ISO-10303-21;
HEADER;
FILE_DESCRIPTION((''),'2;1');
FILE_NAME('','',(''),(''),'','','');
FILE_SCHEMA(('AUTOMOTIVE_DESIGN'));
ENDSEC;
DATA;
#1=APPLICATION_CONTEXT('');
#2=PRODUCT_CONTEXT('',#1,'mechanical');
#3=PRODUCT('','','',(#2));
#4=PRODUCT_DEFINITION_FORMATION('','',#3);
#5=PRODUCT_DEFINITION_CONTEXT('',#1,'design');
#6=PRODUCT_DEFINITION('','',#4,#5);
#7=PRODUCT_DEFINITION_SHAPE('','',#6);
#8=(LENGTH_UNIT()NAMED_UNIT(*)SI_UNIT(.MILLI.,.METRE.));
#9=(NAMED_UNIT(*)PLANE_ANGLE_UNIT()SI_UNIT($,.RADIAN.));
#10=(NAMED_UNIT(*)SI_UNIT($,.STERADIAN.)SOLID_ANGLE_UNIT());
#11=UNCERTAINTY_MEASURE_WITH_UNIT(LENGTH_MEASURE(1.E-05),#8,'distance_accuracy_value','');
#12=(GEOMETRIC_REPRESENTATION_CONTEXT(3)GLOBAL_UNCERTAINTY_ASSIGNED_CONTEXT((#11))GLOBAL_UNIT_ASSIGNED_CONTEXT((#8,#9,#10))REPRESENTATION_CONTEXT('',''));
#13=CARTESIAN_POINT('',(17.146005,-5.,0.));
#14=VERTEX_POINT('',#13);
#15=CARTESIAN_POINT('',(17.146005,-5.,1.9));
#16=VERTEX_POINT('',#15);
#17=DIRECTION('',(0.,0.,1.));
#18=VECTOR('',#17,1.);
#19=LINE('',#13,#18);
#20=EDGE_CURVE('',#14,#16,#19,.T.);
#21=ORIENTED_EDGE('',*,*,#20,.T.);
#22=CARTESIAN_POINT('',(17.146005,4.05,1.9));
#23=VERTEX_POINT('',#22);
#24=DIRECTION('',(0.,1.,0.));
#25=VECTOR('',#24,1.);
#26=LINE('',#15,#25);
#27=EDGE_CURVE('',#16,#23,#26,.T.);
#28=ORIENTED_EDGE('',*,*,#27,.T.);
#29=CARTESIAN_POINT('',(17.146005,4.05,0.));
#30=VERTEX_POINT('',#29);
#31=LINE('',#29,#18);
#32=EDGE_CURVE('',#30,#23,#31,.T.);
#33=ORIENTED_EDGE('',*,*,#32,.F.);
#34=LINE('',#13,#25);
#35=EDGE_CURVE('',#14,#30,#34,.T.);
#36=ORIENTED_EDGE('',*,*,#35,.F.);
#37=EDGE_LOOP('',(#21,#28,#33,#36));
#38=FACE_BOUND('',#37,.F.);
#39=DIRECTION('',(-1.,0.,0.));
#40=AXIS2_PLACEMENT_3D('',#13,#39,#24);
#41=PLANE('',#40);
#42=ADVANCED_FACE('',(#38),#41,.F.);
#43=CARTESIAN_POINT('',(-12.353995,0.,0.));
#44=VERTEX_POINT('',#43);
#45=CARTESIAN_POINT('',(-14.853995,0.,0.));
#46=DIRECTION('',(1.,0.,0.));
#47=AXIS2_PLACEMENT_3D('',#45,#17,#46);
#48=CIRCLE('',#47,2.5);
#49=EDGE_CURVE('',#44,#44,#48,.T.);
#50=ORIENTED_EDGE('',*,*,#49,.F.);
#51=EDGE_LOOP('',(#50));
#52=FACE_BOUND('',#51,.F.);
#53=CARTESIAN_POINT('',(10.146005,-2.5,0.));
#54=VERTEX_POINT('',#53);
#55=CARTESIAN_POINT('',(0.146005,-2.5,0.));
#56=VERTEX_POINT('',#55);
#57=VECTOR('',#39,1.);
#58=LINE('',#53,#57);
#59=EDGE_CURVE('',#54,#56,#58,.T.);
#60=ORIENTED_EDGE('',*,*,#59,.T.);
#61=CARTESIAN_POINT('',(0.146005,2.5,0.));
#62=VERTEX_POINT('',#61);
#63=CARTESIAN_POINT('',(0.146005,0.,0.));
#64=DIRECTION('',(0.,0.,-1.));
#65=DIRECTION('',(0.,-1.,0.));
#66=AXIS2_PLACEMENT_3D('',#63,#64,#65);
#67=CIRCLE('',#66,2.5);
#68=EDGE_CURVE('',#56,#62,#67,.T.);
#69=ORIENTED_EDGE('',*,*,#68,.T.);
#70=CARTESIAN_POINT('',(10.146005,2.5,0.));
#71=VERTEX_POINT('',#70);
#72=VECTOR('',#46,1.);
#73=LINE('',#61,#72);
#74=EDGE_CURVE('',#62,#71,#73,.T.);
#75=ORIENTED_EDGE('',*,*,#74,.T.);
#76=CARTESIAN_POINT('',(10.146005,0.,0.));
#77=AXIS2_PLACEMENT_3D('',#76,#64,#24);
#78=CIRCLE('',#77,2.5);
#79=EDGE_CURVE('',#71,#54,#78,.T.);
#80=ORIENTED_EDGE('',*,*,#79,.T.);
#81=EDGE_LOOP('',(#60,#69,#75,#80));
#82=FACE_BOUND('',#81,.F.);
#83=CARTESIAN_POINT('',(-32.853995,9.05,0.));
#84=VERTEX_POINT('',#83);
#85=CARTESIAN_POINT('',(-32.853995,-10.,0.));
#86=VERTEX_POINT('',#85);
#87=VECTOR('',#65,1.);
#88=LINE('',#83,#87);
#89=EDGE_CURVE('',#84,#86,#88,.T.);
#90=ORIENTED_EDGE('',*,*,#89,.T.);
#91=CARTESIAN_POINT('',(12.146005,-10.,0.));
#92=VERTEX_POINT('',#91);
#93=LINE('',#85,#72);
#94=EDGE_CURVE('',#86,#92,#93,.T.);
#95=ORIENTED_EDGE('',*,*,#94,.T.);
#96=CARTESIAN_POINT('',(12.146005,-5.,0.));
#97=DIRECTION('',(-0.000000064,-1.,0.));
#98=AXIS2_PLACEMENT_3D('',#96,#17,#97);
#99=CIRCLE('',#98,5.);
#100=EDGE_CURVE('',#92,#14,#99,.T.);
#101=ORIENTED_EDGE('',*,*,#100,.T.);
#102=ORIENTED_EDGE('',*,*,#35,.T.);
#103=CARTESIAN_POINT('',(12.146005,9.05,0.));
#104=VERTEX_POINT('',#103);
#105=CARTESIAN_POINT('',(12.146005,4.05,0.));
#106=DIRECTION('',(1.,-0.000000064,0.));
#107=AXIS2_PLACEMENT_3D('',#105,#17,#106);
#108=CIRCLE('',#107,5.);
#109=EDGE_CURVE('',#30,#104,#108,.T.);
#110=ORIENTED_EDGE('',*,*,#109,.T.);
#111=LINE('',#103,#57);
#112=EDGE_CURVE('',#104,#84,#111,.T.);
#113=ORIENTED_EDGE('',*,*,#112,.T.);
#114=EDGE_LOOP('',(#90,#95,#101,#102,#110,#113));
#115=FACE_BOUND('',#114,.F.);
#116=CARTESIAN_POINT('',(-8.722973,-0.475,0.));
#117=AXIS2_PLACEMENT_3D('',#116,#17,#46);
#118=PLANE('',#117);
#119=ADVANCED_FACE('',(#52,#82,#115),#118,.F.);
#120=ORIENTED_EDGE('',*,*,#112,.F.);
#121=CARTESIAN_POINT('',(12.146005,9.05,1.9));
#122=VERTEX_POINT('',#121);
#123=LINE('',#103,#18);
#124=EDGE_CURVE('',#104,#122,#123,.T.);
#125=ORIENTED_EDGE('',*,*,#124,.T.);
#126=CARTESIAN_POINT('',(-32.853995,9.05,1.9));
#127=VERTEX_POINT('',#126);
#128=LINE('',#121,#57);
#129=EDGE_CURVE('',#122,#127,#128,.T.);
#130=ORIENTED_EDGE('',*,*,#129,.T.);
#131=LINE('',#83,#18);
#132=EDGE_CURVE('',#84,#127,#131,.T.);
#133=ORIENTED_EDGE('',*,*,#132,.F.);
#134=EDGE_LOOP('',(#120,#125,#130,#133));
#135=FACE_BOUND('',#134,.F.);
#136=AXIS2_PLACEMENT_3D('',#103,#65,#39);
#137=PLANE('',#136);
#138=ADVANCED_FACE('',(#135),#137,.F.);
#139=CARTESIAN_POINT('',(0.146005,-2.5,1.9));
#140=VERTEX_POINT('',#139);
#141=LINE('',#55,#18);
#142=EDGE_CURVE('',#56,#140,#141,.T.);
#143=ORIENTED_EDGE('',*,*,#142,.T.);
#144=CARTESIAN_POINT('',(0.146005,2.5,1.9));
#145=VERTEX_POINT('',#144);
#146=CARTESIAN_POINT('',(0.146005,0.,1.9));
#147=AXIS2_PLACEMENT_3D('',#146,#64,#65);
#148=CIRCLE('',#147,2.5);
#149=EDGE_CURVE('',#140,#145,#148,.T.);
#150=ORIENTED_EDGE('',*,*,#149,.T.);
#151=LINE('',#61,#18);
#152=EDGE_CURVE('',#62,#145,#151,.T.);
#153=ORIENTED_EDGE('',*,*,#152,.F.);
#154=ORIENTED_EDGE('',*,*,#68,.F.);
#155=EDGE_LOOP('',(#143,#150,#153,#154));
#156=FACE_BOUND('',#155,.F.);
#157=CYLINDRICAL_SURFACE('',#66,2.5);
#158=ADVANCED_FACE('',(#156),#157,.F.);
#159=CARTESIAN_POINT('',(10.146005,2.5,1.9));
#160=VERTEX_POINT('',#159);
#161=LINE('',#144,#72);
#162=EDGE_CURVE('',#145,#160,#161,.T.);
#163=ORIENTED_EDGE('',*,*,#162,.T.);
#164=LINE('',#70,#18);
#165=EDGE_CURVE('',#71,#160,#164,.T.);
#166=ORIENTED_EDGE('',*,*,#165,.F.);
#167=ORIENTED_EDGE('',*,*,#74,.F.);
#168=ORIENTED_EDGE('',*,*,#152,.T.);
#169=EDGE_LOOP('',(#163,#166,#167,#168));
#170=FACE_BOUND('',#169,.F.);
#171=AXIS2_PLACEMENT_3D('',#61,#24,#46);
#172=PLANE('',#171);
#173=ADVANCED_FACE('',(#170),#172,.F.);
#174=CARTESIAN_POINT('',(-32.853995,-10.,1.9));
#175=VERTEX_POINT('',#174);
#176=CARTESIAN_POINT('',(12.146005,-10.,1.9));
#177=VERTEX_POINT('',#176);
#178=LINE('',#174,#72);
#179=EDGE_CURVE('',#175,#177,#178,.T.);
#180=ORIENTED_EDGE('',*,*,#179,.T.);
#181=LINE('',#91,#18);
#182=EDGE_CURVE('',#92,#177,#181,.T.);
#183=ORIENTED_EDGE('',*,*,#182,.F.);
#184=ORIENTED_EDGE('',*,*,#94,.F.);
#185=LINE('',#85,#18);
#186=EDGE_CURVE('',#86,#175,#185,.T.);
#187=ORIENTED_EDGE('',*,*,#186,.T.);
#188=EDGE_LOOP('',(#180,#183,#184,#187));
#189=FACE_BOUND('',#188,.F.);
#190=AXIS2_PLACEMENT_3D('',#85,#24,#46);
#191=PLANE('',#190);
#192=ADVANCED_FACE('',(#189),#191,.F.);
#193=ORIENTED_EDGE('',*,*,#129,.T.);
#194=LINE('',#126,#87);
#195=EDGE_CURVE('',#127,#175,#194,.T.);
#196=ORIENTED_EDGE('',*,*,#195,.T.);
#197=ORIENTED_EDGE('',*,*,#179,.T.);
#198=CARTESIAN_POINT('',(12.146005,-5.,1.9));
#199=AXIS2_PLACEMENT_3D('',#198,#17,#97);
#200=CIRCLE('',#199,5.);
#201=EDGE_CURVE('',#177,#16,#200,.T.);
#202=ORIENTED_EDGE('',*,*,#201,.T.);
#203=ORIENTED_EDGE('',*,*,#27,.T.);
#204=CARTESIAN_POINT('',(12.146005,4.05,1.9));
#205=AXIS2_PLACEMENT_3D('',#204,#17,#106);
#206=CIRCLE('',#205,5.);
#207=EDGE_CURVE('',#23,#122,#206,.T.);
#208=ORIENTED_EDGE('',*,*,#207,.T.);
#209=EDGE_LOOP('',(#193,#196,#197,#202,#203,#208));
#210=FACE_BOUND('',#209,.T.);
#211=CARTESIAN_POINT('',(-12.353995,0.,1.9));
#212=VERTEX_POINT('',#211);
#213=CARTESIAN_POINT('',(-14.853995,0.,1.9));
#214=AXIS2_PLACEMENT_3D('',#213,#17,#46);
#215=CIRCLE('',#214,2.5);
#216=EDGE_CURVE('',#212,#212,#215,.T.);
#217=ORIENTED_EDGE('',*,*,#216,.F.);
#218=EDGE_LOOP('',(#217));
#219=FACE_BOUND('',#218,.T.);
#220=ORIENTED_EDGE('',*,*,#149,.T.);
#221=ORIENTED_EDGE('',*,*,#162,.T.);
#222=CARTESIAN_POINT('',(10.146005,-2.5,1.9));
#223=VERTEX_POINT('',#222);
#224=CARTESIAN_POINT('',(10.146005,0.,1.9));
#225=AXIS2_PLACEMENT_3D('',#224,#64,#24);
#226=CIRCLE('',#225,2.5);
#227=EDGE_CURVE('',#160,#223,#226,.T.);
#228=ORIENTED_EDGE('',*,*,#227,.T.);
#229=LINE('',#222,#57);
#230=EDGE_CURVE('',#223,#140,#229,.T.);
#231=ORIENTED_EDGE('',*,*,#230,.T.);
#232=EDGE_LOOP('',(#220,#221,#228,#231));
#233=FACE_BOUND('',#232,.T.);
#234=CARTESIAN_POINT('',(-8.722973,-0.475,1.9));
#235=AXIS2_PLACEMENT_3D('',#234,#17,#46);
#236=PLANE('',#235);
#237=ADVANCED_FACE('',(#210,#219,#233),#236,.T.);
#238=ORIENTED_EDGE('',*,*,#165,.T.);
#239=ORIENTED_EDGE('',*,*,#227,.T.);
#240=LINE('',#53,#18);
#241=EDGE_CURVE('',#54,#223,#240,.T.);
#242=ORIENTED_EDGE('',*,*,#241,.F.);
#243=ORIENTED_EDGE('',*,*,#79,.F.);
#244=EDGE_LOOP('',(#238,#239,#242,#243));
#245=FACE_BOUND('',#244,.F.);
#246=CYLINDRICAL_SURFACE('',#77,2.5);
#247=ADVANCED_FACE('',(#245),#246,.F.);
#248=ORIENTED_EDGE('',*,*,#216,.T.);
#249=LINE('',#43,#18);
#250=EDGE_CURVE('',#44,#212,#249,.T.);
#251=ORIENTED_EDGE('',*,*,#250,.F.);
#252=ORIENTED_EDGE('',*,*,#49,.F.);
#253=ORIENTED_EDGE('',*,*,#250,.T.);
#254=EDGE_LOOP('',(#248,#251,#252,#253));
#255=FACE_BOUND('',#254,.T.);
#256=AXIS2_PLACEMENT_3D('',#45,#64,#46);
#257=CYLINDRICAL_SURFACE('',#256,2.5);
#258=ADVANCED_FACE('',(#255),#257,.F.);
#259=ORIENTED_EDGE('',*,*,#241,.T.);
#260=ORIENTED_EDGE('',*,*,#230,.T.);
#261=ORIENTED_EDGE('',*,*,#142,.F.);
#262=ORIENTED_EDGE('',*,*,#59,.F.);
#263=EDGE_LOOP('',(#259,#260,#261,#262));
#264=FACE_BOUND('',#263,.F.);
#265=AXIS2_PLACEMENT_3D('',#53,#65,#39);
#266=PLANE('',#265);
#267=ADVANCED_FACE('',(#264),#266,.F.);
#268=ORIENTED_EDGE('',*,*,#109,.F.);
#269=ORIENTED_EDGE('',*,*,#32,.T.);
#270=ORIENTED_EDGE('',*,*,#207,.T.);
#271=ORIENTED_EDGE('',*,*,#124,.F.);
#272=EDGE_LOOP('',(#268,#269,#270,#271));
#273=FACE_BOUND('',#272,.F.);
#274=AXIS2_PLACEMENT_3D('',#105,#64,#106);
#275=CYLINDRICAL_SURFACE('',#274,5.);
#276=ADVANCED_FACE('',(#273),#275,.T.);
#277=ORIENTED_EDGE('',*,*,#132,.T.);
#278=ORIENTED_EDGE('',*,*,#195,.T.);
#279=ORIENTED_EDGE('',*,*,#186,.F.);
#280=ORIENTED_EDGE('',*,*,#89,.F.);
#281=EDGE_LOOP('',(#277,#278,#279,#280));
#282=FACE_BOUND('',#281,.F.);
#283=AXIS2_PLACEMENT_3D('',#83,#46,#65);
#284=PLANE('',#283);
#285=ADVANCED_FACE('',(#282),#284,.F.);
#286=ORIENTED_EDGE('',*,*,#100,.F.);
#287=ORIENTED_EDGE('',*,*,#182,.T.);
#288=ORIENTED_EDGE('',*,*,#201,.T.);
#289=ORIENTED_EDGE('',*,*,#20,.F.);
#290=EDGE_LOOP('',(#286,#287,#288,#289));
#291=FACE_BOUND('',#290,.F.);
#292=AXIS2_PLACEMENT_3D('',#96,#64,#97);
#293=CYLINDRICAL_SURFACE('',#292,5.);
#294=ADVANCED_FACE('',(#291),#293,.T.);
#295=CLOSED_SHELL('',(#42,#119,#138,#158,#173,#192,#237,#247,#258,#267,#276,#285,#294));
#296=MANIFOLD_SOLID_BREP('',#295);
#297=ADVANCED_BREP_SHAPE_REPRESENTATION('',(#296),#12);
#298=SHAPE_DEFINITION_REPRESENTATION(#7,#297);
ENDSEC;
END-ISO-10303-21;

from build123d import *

# Parameters (mm, degrees)
F0_R     = 2.5
F1_DEPTH = 1.9


with BuildPart() as f1:
    # F0 (on Top) → F1 (new body)
    with BuildSketch(Plane.XY):
        with BuildLine():
            Line((12.146005, 9.05), (-32.853995, 9.05))
            Line((-32.853995, 9.05), (-32.853995, -10))
            Line((-32.853995, -10), (12.146005, -10))
            ThreePointArc((12.146005, -10), (15.681539, -8.535534), (17.146005, -5))
            Line((17.146005, -5), (17.146005, 4.05))
            ThreePointArc((17.146005, 4.05), (15.681539, 7.585534), (12.146005, 9.05))
        make_face()
        with Locations((-14.853995, 0)):
            Circle(F0_R, mode=Mode.SUBTRACT)
        with BuildLine():
            ThreePointArc((10.146005, 2.5), (12.646005, 0), (10.146005, -2.5))
            Line((10.146005, -2.5), (0.146005, -2.5))
            ThreePointArc((0.146005, -2.5), (-2.353995, 0), (0.146005, 2.5))
            Line((0.146005, 2.5), (10.146005, 2.5))
        make_face(mode=Mode.SUBTRACT)
    extrude(amount=F1_DEPTH)


solid = f1.part
